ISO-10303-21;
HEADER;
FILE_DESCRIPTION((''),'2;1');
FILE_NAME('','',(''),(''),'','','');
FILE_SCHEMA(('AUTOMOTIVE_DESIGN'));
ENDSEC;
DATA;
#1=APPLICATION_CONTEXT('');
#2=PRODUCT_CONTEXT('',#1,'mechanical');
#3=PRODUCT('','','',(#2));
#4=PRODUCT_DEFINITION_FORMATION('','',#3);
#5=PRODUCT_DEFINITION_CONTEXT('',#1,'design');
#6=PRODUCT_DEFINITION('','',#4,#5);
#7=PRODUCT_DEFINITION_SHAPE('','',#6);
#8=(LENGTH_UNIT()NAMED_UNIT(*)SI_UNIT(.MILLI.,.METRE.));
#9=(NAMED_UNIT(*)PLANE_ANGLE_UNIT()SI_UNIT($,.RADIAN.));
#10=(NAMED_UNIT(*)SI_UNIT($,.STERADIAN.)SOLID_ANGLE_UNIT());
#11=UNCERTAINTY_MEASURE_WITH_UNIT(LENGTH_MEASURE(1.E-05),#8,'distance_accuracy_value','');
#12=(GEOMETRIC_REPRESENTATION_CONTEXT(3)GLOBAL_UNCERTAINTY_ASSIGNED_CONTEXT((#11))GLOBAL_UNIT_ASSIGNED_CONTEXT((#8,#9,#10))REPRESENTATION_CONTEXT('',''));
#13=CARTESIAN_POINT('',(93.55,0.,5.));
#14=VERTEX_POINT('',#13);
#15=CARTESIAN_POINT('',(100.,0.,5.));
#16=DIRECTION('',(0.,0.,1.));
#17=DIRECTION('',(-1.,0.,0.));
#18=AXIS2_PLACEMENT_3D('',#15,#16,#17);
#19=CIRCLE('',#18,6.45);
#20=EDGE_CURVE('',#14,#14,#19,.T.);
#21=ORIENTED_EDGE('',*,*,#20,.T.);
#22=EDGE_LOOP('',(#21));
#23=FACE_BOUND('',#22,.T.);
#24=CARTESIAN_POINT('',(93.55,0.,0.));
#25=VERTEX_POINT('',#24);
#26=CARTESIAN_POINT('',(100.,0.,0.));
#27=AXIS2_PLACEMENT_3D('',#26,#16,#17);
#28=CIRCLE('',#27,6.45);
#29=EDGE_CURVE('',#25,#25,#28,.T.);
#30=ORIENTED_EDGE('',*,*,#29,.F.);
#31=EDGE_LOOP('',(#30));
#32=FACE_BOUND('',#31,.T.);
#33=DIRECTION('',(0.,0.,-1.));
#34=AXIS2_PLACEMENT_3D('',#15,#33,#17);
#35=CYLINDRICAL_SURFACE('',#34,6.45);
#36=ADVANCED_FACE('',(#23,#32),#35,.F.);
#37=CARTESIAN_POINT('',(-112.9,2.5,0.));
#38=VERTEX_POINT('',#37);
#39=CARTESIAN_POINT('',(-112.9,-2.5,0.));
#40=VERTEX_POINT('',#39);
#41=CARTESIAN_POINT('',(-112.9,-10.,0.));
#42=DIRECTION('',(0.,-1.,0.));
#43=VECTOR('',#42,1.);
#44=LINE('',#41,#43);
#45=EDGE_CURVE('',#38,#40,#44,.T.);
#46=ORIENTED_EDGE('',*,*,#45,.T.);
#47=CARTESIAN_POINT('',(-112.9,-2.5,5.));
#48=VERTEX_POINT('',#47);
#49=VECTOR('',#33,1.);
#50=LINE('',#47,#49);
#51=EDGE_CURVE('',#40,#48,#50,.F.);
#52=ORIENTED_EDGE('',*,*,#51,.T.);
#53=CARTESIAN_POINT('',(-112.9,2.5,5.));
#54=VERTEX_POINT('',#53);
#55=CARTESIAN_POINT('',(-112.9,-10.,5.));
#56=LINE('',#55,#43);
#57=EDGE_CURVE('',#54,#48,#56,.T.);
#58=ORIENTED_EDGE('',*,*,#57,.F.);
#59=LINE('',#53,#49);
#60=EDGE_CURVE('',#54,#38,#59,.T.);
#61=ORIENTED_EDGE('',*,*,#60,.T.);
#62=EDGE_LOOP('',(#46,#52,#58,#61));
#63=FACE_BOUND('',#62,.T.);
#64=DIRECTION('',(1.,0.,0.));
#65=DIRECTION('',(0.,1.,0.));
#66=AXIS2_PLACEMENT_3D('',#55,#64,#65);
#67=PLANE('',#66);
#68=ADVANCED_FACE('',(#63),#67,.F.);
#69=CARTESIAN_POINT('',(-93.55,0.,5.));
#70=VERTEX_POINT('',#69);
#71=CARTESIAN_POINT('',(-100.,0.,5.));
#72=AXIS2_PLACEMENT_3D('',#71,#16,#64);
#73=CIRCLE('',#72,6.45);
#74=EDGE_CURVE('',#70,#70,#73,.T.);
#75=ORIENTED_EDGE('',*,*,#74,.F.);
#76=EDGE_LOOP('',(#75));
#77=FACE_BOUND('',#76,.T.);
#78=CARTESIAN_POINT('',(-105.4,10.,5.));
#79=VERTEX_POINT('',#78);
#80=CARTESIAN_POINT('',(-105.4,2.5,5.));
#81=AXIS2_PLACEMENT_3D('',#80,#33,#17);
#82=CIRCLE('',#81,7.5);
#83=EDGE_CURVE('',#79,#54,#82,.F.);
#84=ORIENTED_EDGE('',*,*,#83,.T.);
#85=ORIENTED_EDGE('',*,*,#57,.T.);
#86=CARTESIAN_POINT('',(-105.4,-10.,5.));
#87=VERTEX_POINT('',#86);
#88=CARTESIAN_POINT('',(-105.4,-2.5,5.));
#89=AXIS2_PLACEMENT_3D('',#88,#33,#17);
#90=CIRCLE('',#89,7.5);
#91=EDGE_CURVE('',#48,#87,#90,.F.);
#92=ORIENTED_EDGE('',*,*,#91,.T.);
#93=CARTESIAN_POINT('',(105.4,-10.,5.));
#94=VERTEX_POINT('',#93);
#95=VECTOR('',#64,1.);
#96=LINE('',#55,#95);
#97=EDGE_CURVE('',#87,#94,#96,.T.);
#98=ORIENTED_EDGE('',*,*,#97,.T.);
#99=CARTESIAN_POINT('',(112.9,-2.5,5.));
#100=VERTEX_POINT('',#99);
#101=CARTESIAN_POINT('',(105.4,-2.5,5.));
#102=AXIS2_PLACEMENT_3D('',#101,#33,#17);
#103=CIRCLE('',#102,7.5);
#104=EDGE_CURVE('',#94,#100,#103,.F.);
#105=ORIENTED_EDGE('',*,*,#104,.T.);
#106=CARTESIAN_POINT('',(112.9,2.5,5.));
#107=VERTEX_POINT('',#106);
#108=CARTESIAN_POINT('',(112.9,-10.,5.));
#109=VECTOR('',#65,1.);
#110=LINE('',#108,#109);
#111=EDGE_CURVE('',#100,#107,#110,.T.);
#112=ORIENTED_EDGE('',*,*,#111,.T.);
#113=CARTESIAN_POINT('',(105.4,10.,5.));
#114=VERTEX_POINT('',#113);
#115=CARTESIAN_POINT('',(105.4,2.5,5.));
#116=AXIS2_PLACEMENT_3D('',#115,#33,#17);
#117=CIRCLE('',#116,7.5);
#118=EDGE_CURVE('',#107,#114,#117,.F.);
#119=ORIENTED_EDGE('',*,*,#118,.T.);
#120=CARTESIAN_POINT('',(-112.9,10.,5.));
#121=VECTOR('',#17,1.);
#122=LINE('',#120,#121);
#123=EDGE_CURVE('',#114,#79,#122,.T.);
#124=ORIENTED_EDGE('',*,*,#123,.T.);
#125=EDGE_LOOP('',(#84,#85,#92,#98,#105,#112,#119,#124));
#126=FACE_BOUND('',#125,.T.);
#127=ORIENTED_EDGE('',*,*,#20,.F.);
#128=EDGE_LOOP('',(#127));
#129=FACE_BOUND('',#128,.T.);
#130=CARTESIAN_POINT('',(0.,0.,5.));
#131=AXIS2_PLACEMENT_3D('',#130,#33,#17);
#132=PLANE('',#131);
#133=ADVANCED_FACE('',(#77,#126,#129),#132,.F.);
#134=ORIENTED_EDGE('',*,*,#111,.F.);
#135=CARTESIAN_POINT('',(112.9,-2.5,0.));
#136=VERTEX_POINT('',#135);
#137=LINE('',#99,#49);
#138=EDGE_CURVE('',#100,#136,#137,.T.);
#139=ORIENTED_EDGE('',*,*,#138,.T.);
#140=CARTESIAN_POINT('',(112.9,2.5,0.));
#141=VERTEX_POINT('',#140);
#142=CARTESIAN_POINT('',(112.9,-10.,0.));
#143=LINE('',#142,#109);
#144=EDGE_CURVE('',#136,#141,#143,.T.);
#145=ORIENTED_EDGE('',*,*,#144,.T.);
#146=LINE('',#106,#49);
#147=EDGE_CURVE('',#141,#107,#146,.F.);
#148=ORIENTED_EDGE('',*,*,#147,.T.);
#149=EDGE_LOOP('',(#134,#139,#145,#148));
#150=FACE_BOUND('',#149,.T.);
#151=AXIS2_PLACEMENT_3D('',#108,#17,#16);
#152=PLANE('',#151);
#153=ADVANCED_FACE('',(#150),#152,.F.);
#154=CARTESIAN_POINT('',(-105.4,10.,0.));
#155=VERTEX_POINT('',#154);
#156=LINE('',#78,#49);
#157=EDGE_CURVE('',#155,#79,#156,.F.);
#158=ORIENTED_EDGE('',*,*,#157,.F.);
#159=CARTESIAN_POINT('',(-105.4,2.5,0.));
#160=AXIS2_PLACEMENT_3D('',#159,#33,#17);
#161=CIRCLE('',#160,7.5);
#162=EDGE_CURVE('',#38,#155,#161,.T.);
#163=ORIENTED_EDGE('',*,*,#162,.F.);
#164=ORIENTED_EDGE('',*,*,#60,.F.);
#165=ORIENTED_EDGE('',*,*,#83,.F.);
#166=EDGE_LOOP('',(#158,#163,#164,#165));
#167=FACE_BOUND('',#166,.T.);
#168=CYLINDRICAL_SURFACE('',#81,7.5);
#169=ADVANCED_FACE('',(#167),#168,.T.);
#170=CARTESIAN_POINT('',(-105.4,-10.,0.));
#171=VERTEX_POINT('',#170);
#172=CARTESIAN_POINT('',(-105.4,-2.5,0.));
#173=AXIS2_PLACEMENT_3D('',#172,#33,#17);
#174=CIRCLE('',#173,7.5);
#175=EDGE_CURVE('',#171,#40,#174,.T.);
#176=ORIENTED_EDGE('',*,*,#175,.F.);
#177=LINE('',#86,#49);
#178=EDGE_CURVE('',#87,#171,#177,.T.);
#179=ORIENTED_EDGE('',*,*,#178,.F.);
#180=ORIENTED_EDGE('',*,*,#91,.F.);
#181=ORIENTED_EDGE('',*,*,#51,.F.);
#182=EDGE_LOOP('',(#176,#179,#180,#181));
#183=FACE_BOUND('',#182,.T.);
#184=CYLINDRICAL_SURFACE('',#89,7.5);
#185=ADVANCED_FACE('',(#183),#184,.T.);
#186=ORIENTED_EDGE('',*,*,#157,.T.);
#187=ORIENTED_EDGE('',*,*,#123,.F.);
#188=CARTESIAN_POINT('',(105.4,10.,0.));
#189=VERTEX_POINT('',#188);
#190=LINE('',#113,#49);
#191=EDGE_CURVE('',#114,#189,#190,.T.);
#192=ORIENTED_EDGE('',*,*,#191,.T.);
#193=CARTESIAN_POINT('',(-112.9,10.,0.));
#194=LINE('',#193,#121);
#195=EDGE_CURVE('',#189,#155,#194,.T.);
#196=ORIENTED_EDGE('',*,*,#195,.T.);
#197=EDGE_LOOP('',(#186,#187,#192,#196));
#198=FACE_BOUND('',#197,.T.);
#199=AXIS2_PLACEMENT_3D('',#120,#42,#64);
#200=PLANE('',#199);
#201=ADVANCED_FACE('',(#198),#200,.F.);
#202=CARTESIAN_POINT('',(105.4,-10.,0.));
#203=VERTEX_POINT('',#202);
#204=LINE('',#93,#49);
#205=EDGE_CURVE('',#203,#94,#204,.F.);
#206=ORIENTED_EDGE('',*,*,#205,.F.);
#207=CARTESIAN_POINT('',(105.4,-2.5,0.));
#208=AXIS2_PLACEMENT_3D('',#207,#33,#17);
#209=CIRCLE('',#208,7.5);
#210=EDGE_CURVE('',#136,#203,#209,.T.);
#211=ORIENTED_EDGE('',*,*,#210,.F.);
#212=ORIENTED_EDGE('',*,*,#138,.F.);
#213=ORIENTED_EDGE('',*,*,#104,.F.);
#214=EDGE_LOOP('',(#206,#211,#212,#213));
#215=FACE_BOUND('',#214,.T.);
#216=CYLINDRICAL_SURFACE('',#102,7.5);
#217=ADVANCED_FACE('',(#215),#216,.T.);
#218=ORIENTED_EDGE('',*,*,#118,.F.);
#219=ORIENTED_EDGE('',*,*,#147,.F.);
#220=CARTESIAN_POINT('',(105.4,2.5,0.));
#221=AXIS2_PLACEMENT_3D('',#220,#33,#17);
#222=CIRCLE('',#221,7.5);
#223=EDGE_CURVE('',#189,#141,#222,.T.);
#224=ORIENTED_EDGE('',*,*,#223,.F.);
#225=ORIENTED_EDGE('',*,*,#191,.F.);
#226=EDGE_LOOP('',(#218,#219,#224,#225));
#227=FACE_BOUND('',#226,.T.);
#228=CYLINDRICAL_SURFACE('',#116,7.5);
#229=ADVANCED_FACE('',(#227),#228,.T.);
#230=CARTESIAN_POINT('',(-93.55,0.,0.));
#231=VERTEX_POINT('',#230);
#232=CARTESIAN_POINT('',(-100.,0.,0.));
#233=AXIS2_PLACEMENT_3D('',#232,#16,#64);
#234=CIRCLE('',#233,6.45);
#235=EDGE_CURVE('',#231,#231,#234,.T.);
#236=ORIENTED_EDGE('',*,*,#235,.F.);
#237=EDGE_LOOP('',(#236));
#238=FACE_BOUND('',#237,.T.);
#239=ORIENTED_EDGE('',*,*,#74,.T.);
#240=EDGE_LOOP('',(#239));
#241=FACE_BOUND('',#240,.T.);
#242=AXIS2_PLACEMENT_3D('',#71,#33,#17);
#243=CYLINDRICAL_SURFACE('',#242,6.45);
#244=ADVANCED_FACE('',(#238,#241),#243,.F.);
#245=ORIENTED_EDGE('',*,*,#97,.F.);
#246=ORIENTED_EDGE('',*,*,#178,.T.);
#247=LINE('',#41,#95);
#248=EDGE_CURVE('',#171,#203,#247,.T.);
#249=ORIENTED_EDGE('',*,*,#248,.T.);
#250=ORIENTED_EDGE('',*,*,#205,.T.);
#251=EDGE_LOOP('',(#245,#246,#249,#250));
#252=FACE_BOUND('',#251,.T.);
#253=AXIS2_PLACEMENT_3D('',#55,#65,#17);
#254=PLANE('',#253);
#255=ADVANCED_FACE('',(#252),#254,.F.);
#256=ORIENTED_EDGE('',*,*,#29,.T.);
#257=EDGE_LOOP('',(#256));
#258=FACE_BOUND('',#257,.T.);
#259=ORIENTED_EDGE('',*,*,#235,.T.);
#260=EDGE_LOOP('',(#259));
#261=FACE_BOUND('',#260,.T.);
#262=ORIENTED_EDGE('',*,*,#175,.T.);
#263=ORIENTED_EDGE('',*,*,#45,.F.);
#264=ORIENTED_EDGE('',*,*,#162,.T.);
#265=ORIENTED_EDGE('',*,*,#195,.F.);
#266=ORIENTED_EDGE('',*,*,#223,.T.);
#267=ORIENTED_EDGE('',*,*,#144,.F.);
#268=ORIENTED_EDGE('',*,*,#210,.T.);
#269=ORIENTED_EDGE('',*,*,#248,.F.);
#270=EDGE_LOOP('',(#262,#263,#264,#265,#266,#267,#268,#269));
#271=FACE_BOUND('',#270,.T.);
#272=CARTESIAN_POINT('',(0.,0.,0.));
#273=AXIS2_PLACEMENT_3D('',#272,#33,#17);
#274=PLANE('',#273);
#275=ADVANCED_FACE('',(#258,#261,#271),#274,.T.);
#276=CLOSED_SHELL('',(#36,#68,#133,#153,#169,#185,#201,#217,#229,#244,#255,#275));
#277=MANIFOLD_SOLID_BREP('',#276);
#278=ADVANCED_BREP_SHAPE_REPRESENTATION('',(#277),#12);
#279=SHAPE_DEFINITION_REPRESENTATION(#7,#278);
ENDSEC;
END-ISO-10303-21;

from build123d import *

# Parameters (mm, degrees)
SKETCH1_W           = 225.8
SKETCH1_H           = 20
SKETCH1_R           = 6.45
BOSS_EXTRUDE1_DEPTH = 5
FILLET1_R           = 7.5


with BuildPart() as part:
    # Sketch1 → Boss-Extrude1 (new body)
    with BuildSketch(Plane.XY):
        Rectangle(SKETCH1_W, SKETCH1_H)
        with Locations((-100, 0)):
            Circle(SKETCH1_R, mode=Mode.SUBTRACT)
        with Locations((100, 0)):
            Circle(SKETCH1_R, mode=Mode.SUBTRACT)
    extrude(amount=BOSS_EXTRUDE1_DEPTH)

    # Fillet1
    fillet1_edges = [part.edges().sort_by_distance(p)[0] for p in [
        (-112.9, 10, 2.5),
        (112.9, 10, 2.5),
        (112.9, -10, 2.5),
        (-112.9, -10, 2.5),
    ]]
    fillet(fillet1_edges, radius=FILLET1_R)


solid = part.part
